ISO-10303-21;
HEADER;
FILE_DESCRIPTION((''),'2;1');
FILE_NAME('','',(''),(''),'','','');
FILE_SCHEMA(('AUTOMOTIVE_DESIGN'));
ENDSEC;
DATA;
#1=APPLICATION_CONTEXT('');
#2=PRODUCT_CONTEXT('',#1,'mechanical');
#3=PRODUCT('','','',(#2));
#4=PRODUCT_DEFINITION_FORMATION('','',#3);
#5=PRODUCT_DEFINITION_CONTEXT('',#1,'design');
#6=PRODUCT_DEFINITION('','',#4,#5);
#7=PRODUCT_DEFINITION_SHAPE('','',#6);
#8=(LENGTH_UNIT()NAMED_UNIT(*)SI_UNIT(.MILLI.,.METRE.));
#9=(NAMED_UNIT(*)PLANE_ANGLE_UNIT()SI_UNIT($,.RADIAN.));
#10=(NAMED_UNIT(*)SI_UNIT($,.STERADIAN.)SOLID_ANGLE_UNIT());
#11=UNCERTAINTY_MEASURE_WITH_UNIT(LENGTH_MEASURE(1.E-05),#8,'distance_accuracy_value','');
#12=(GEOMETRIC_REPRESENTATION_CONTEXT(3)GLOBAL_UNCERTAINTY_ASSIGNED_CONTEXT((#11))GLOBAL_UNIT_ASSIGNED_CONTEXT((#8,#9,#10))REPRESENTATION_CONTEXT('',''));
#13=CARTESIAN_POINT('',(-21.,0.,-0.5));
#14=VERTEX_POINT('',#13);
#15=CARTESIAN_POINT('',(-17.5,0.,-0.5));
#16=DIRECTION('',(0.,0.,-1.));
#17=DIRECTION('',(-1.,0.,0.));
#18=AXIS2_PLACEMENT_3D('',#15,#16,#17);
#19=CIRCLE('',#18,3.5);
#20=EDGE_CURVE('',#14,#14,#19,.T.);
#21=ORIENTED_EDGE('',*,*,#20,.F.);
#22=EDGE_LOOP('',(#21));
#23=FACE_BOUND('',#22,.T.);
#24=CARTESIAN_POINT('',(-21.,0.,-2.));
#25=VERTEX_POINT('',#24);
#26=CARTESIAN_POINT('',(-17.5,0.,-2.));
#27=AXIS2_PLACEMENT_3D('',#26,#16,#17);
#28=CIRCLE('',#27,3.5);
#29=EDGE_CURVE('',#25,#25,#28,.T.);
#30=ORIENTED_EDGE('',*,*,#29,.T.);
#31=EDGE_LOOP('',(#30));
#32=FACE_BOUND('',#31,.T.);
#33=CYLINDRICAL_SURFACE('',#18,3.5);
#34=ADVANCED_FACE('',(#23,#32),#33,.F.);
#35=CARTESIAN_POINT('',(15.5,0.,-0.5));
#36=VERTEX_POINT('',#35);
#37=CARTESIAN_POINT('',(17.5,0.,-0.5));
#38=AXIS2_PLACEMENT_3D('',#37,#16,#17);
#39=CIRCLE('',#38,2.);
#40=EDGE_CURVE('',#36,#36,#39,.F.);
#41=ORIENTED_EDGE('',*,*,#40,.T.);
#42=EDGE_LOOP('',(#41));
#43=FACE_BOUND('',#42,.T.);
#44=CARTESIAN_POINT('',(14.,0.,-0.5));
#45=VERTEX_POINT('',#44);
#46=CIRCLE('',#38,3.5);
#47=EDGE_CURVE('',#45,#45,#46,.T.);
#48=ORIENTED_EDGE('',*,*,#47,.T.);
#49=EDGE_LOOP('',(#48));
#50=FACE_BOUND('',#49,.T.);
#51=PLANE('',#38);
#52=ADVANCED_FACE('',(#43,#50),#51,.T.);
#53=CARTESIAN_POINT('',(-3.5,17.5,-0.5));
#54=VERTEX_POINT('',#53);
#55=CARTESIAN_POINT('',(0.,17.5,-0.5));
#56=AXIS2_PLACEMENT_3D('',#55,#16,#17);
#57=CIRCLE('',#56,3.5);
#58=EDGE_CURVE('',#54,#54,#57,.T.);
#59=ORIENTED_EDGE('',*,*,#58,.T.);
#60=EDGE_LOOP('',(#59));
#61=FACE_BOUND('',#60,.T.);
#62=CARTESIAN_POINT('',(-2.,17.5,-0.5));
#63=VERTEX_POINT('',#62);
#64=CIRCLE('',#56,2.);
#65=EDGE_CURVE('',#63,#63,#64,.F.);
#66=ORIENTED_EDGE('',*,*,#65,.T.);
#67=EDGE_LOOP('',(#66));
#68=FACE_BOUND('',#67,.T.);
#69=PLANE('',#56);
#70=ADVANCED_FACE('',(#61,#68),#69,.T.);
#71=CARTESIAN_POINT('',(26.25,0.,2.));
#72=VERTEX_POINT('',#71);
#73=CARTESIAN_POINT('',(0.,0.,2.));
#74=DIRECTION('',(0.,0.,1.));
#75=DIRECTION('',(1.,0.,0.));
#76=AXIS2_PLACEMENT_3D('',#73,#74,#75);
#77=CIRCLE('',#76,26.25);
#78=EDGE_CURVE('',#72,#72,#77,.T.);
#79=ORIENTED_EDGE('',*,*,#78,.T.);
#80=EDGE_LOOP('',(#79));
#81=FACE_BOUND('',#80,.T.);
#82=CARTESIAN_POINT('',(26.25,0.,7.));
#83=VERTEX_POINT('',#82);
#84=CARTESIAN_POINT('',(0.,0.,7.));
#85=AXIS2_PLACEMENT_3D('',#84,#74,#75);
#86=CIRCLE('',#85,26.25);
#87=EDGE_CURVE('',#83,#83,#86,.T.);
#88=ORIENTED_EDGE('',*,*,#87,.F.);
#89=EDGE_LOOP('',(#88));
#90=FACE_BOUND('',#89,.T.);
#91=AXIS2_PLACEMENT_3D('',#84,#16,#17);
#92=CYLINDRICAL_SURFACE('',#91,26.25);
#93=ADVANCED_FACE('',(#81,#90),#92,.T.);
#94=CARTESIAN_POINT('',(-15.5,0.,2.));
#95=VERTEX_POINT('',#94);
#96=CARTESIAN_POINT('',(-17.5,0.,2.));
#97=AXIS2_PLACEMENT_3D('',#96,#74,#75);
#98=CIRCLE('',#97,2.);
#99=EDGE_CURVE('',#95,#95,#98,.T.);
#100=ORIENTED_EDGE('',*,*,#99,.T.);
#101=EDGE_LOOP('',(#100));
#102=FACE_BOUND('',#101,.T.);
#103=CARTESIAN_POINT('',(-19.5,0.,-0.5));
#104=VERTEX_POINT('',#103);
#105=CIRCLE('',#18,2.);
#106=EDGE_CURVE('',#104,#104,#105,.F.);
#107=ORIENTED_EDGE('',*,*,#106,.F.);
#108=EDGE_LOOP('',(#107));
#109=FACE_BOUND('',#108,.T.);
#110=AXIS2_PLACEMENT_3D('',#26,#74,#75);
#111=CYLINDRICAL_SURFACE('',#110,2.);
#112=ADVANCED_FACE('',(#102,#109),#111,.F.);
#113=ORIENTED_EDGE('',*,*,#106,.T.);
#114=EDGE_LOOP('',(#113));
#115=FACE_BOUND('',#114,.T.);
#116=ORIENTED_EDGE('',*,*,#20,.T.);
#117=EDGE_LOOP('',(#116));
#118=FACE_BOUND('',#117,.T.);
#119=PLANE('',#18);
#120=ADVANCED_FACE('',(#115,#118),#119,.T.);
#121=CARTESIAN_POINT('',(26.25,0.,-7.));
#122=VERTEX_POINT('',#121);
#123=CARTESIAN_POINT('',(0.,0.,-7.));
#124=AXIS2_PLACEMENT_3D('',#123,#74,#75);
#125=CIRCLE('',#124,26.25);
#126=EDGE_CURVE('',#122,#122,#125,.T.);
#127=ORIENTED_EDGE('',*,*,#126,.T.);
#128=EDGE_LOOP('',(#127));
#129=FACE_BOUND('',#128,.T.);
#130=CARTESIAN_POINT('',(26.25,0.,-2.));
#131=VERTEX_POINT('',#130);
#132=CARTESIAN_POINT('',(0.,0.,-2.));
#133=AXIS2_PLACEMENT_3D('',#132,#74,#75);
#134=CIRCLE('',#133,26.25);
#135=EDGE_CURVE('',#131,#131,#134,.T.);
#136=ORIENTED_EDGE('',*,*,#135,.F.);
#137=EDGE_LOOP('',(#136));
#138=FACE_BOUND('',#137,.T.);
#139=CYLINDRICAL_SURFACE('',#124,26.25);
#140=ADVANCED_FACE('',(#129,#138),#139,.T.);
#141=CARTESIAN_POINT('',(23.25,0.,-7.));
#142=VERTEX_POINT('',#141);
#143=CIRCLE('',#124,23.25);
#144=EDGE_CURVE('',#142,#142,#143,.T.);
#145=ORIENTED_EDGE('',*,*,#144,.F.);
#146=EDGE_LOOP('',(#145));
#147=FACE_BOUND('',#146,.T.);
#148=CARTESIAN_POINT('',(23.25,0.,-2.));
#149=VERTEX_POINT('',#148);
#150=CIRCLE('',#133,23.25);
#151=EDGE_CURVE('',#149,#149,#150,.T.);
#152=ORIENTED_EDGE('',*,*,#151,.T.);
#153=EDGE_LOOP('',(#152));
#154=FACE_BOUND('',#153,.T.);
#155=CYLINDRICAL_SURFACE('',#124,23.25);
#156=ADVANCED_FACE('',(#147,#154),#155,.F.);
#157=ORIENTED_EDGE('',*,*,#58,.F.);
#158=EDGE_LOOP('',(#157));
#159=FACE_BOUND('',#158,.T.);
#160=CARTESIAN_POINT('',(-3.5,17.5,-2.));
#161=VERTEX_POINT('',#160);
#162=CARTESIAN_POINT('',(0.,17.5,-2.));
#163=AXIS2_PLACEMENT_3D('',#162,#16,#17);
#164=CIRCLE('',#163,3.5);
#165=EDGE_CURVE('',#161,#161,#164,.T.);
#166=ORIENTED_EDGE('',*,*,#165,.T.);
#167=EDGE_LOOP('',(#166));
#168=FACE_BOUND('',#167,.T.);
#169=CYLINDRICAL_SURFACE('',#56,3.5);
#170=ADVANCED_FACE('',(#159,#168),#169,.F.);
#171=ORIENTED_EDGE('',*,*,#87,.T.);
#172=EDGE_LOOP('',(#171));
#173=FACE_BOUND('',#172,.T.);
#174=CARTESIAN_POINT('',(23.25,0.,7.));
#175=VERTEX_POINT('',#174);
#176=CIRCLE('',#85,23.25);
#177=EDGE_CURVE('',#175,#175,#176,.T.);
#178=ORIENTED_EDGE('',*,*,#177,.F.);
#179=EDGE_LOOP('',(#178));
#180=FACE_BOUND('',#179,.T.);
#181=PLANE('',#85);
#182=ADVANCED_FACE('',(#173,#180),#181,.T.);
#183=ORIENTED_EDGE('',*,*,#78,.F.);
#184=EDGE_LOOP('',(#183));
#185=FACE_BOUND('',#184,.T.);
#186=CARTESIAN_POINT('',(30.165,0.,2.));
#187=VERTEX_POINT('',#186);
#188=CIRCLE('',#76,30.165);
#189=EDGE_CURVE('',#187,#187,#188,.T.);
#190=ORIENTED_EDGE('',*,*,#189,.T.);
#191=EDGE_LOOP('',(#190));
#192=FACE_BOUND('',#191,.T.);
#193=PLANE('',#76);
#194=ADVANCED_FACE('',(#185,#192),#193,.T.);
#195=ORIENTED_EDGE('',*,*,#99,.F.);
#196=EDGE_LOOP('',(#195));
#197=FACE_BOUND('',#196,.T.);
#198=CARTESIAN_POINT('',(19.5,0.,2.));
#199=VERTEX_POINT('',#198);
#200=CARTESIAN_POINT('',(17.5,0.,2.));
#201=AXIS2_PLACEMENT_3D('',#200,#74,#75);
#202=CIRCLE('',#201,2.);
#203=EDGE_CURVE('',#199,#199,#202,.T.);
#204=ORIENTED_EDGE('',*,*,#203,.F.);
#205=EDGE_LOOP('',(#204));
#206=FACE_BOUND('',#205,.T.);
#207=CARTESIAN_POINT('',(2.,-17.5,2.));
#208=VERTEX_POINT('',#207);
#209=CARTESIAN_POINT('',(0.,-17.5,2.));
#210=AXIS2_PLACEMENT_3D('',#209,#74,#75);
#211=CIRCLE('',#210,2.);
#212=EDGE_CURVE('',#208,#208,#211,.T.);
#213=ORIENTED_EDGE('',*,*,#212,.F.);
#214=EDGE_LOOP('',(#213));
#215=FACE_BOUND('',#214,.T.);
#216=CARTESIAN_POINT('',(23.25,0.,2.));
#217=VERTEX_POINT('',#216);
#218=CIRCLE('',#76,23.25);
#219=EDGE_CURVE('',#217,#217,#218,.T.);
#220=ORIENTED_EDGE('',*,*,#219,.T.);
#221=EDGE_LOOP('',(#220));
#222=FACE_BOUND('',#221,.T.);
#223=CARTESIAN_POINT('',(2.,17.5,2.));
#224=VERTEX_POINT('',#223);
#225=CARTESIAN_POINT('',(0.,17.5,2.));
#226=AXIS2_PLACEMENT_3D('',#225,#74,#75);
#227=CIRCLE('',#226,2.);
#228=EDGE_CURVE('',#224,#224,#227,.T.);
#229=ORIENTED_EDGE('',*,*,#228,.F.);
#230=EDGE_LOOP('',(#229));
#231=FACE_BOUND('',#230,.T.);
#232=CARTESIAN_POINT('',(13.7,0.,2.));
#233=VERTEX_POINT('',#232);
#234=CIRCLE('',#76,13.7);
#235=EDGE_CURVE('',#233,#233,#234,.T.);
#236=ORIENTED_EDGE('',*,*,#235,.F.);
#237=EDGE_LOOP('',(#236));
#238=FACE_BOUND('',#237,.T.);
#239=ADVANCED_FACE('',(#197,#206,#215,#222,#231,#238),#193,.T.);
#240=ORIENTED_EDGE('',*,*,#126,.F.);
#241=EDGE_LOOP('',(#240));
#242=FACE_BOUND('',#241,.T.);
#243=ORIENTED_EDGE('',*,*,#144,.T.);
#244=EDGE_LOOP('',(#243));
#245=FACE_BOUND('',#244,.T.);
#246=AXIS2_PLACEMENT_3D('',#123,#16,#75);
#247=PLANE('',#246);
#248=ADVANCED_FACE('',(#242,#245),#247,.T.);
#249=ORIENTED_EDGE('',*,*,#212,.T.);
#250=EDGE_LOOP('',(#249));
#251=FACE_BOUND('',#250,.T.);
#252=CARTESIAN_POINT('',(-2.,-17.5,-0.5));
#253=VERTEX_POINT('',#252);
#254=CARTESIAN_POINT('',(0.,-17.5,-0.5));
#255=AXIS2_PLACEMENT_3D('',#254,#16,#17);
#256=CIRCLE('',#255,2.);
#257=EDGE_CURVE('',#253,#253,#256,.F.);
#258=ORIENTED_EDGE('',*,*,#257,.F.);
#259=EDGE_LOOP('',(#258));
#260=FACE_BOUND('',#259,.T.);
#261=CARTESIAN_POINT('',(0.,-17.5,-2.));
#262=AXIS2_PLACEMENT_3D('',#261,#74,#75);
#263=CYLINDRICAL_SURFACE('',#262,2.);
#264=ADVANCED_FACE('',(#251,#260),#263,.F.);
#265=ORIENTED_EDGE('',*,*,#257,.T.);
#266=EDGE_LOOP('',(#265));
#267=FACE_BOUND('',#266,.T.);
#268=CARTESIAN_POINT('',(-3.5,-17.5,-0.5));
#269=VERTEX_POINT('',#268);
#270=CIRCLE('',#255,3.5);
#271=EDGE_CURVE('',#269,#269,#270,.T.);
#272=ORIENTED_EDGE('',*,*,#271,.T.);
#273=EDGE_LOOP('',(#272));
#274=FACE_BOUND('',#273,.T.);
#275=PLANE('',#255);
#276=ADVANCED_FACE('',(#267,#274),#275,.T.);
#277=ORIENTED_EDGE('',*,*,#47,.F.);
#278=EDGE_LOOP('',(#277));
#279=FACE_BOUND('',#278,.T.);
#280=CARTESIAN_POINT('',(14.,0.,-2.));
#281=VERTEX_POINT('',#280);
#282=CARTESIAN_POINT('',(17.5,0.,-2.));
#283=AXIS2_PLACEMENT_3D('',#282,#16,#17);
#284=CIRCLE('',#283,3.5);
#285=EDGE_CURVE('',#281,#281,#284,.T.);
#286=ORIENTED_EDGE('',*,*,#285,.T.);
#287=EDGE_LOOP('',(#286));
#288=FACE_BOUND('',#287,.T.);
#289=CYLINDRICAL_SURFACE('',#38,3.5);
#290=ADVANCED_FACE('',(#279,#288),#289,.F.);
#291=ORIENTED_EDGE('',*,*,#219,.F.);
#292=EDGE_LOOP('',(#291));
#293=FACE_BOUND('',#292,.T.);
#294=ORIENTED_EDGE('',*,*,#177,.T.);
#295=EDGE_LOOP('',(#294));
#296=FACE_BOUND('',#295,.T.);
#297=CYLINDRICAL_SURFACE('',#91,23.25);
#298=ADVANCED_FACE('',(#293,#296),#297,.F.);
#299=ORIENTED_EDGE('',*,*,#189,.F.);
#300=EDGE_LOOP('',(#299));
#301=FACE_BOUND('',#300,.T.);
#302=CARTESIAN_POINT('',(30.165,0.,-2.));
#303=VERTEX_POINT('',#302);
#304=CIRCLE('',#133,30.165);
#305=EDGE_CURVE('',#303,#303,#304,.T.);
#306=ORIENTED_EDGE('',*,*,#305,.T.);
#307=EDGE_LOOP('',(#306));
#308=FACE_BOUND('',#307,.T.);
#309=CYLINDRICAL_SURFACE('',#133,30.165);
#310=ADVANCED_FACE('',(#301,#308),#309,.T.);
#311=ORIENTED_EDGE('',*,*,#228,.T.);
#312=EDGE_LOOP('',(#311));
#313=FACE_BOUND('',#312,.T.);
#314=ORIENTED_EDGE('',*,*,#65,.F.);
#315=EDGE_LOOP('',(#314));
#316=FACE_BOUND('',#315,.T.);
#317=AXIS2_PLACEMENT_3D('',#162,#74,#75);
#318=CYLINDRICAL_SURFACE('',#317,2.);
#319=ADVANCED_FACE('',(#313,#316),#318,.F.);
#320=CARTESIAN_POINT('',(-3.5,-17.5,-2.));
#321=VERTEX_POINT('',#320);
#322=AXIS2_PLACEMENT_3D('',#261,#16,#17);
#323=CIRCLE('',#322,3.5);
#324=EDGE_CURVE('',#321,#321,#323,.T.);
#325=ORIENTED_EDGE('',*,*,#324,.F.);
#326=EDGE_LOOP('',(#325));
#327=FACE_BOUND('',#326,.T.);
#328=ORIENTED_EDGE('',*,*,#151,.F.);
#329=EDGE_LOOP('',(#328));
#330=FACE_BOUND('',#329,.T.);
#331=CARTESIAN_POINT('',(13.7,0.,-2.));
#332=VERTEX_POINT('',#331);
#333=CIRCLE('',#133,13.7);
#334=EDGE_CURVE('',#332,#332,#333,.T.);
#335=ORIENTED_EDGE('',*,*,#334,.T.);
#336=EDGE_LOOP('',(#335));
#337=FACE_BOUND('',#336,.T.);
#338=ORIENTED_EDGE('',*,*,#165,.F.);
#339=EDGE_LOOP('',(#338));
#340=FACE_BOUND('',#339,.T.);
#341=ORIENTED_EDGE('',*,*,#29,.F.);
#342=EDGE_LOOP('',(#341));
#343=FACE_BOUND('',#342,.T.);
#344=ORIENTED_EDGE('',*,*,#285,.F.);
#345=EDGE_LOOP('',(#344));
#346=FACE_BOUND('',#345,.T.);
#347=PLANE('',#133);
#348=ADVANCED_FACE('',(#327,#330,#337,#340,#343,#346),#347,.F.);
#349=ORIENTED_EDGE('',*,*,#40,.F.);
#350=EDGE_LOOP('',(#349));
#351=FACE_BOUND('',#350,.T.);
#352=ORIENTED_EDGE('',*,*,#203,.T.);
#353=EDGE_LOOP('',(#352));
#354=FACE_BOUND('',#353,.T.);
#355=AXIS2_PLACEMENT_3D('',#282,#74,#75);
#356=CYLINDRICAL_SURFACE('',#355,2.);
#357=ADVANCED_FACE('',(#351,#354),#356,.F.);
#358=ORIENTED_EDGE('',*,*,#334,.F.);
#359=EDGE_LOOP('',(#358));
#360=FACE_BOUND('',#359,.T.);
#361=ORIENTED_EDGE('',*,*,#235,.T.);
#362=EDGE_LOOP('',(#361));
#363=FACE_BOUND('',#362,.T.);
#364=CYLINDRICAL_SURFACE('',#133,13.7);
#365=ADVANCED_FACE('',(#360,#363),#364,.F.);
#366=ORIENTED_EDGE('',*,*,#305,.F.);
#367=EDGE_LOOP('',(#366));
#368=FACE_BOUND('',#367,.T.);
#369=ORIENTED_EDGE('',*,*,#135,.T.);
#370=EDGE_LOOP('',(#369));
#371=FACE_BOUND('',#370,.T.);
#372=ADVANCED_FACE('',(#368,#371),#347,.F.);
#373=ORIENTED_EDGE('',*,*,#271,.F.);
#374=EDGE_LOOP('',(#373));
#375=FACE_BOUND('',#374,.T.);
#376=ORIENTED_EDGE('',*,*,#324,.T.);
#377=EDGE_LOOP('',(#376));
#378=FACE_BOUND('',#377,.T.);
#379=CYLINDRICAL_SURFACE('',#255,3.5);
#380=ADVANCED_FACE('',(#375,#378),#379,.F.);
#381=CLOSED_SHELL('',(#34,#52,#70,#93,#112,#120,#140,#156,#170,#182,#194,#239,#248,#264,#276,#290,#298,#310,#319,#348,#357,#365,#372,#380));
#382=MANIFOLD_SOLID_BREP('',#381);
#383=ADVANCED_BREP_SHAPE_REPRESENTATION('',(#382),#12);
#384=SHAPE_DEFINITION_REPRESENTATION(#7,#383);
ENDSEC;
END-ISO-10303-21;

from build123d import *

# Parameters (mm, degrees)
SALIENTE_EXTRUIR1_DEPTH      = 2
SALIENTE_EXTRUIR1_DEPTH_BACK = 2
CROQUIS1_R                   = 30.165
CROQUIS1_R_2                 = 13.7
CROQUIS1_R_3                 = 2
CROQUIS3_R                   = 26.25
CROQUIS3_R_2                 = 23.25
SALIENTE_EXTRUIR2_DEPTH      = 5
CROQUIS4_R                   = 3.5
CORTAR_EXTRUIR1_DEPTH        = 1.5


with BuildPart() as part:
    # Croquis1 → Saliente-Extruir1 (new, two sides: drawn at the far end of the back side and taken through both)
    with BuildSketch(Plane.XY.offset(-SALIENTE_EXTRUIR1_DEPTH_BACK)):
        Circle(CROQUIS1_R)
        Circle(CROQUIS1_R_2, mode=Mode.SUBTRACT)
        with Locations((0, 17.5)):
            Circle(CROQUIS1_R_3, mode=Mode.SUBTRACT)
        with Locations((17.5, 0)):
            Circle(CROQUIS1_R_3, mode=Mode.SUBTRACT)
        with Locations((-17.5, 0)):
            Circle(CROQUIS1_R_3, mode=Mode.SUBTRACT)
        with Locations((0, -17.5)):
            Circle(CROQUIS1_R_3, mode=Mode.SUBTRACT)
    extrude(amount=SALIENTE_EXTRUIR1_DEPTH + SALIENTE_EXTRUIR1_DEPTH_BACK)

    # Croquis3 → Saliente-Extruir2 (add)
    with BuildSketch(Plane.XY.offset(2)):
        Circle(CROQUIS3_R)
        Circle(CROQUIS3_R_2, mode=Mode.SUBTRACT)
    saliente_extruir2 = extrude(amount=SALIENTE_EXTRUIR2_DEPTH)

    # Croquis4 → Cortar-Extruir1 (cut)
    with BuildSketch(Plane(origin=(0, 0, -2), x_dir=(-1, 0, 0), z_dir=(0, 0, -1))):
        with Locations((0, 17.5)):
            Circle(CROQUIS4_R)
        with Locations((17.5, 0)):
            Circle(CROQUIS4_R)
        with Locations((-17.5, 0)):
            Circle(CROQUIS4_R)
        with Locations((0, -17.5)):
            Circle(CROQUIS4_R)
    extrude(amount=-CORTAR_EXTRUIR1_DEPTH, mode=Mode.SUBTRACT)

    # Simetría1: Saliente-Extruir2 across plane
    add(saliente_extruir2.mirror(Plane.XY))


solid = part.part
